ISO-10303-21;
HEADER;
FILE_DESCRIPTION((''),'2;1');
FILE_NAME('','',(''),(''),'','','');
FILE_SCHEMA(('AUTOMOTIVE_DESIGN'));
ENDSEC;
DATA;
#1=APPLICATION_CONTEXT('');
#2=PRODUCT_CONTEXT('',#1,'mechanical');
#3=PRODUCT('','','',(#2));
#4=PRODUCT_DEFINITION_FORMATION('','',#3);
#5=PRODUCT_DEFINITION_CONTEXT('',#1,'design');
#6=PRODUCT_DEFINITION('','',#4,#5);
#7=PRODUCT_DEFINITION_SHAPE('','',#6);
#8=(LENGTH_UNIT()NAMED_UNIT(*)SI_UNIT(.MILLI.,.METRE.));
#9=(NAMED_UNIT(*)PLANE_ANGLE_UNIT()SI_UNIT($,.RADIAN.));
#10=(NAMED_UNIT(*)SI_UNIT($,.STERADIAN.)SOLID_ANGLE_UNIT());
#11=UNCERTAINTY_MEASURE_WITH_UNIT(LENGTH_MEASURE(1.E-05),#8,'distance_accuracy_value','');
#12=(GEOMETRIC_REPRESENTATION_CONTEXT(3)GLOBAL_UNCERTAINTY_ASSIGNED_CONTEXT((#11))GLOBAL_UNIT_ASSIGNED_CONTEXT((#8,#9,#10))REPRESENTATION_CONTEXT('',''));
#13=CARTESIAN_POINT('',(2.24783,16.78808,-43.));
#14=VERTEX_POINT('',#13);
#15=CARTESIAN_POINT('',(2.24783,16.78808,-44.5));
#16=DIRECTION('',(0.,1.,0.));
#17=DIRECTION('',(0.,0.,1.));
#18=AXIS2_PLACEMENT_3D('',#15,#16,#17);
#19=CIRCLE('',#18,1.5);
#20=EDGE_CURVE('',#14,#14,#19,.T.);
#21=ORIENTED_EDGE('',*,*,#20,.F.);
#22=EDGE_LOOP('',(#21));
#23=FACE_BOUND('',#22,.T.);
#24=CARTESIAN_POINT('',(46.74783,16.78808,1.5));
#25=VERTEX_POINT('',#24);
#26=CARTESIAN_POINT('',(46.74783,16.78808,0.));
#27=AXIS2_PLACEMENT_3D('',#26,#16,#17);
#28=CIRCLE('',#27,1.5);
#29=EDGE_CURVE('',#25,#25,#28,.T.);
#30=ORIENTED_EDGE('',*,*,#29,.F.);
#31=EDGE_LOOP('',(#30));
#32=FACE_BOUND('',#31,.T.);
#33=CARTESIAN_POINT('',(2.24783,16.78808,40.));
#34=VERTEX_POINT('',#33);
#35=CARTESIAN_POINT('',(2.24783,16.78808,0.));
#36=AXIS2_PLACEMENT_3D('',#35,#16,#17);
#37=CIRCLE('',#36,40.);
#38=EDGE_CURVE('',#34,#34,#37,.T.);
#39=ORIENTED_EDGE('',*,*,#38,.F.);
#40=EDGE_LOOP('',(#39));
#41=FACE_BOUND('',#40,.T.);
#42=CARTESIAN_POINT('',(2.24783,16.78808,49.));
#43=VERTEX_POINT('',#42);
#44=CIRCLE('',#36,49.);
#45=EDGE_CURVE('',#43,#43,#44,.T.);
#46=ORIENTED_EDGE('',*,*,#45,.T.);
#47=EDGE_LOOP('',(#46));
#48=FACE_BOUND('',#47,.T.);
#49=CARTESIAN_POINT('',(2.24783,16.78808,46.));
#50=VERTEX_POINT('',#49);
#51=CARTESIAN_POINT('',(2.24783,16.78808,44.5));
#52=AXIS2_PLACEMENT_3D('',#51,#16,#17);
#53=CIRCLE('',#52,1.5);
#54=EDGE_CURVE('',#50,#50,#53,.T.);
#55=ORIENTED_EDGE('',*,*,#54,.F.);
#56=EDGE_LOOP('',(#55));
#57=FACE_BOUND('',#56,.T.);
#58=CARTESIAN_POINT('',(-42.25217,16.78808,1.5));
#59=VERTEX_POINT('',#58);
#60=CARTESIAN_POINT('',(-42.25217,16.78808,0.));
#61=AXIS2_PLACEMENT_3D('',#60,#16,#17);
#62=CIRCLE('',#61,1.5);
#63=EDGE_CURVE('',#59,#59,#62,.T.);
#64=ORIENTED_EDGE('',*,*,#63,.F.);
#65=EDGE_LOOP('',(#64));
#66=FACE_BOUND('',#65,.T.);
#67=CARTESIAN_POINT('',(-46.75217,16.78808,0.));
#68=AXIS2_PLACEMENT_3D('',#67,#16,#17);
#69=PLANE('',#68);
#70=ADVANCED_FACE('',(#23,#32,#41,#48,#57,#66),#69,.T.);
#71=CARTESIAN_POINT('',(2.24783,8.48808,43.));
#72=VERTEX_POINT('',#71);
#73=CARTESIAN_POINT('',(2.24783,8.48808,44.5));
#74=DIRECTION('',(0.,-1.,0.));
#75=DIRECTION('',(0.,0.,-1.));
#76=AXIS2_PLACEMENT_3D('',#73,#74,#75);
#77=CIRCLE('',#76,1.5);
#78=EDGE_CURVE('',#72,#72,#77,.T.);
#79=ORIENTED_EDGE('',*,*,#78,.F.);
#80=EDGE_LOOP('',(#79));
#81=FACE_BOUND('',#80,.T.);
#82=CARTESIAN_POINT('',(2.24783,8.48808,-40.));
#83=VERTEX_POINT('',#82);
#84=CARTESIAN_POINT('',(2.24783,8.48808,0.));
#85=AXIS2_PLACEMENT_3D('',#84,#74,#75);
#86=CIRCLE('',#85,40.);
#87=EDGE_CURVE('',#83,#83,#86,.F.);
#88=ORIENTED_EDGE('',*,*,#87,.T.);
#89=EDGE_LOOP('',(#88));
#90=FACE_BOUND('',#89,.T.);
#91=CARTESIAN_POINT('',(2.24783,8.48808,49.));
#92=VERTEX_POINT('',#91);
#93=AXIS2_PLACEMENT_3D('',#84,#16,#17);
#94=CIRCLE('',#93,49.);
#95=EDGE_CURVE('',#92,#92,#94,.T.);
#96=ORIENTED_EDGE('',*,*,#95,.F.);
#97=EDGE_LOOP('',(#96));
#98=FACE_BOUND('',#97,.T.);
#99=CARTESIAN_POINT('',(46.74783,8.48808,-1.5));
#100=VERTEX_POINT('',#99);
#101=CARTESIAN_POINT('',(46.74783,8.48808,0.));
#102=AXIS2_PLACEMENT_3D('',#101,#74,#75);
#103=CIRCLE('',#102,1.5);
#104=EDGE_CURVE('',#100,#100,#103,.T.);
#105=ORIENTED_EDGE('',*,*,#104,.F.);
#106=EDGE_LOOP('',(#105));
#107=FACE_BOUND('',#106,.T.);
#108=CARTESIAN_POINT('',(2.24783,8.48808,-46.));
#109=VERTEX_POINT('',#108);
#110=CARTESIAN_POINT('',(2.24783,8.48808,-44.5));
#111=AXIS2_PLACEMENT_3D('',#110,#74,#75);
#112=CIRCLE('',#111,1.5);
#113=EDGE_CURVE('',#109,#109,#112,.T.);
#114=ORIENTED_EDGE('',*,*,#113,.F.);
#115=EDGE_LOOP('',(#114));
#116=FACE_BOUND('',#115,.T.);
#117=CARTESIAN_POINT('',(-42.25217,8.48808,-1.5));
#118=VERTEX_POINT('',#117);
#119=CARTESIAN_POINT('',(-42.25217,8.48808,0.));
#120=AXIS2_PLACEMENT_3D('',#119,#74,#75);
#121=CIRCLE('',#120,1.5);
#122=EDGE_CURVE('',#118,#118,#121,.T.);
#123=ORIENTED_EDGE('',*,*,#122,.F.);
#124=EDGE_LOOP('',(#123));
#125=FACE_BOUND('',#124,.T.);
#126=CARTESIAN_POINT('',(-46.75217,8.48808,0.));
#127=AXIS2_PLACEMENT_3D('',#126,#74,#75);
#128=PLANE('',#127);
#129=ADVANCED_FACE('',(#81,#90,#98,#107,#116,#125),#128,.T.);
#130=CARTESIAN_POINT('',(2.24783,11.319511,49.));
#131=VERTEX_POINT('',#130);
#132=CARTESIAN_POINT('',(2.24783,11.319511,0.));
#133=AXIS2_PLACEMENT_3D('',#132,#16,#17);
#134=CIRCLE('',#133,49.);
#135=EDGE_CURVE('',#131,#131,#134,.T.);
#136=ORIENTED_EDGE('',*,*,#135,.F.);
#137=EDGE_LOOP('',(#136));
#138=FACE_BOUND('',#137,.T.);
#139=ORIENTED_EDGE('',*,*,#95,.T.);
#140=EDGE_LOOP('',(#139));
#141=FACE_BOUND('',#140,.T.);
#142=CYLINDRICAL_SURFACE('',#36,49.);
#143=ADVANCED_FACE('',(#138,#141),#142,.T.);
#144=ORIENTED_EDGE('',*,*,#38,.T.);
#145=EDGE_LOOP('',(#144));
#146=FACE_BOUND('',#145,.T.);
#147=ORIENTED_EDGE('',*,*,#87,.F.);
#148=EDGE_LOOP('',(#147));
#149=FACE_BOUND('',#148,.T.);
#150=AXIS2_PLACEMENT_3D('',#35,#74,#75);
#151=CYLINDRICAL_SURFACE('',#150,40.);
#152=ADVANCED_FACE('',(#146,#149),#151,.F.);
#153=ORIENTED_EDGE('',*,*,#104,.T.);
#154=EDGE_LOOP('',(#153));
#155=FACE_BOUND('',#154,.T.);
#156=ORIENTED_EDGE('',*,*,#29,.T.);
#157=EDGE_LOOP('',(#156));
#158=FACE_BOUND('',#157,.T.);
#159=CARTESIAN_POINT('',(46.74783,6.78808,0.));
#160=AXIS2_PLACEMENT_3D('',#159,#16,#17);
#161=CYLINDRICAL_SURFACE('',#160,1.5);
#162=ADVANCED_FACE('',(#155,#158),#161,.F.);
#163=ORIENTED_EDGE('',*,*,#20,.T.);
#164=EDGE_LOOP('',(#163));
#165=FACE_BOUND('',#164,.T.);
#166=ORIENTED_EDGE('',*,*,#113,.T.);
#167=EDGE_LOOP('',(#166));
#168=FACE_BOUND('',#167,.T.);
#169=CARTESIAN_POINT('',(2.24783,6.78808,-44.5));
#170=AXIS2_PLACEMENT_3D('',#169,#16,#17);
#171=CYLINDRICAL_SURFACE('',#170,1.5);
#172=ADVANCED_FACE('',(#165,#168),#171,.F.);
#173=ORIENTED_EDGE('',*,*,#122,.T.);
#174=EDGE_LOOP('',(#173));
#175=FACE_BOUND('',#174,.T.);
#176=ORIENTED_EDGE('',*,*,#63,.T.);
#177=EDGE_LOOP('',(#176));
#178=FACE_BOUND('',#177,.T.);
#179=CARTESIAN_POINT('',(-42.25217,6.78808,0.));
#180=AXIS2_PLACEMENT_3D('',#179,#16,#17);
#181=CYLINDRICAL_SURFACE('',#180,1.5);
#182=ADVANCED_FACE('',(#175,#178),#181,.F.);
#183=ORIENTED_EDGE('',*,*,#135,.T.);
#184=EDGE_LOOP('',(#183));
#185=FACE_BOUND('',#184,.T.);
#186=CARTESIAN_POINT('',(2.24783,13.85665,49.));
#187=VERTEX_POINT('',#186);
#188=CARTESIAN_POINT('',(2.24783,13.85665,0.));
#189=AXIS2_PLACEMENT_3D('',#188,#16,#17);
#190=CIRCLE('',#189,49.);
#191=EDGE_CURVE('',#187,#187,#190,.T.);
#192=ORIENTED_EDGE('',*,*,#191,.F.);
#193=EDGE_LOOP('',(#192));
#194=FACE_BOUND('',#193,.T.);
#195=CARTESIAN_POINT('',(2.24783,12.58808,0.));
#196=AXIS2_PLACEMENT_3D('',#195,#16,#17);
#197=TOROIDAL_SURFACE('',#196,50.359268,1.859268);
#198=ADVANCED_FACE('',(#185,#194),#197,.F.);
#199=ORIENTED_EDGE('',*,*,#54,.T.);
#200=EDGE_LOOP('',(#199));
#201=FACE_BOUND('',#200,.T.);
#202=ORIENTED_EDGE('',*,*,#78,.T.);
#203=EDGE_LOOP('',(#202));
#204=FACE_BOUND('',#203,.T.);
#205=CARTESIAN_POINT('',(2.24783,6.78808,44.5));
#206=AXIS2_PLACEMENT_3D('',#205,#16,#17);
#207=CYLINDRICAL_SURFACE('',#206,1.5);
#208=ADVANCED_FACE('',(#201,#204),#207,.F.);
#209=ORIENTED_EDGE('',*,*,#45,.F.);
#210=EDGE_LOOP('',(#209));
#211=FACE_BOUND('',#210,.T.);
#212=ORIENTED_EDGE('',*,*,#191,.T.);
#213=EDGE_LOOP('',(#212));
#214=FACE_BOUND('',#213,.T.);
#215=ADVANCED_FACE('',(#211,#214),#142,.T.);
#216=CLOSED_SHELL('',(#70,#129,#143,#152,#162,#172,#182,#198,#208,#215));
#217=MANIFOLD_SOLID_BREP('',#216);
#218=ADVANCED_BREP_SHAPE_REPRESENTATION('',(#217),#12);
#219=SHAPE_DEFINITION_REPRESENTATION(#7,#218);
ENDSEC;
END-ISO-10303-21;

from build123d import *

# Parameters (mm, degrees)
SKETCH_7_R          = 40
CUT_EXTRUDE_1_DEPTH = 73.864118401
SKETCH_8_R          = 1.5
CUT_EXTRUDE_2_DEPTH = 10


with BuildPart() as part:
    # 草图5 → 旋转2 (revolve)
    with BuildSketch(Plane.XY, mode=Mode.PRIVATE) as revolve_2_sk:
        with BuildLine():
            Line((-46.752169664, 16.788080184), (2.247830336, 16.788080184))
            Line((2.247830336, 16.788080184), (2.247830336, 8.488080184))
            Line((2.247830336, 8.488080184), (-46.752169664, 8.488080184))
            Line((-46.752169664, 8.488080184), (-46.752169664, 11.319510864))
            ThreePointArc((-46.752169664, 11.319510864), (-46.381680312, 11.906305273), (-46.252169664, 12.588080184))
            ThreePointArc((-46.252169664, 12.588080184), (-46.381680312, 13.269855096), (-46.752169664, 13.856649505))
            Line((-46.752169664, 13.856649505), (-46.752169664, 16.788080184))
        make_face()
    revolve(revolve_2_sk.sketch.rotate(Axis((2.247830336, 16.788080184, 0), (0, -1, 0)), 270), axis=Axis((2.247830336, 16.788080184, 0), (0, -1, 0)))

    # 草图7 → 切除-拉伸1 (cut, through all)
    with BuildSketch(Plane(origin=(0, 0, 0), x_dir=(1, 0, 0), z_dir=(0, 1, 0))):
        with Locations(Location((2.247830336, 0, 0), (0, 0, 90))):
            Circle(SKETCH_7_R)
    extrude(amount=CUT_EXTRUDE_1_DEPTH, mode=Mode.SUBTRACT)

    # 草图8 → 切除-拉伸2 (cut)
    with BuildSketch(Plane(origin=(0, 16.788080184, 0), x_dir=(1, 0, 0), z_dir=(0, 1, 0))):
        with Locations(Location((2.247830336, 44.5, 0), (0, 0, 270))):
            Circle(SKETCH_8_R)
        with Locations(Location((46.747830336, 0, 0), (0, 0, 270))):
            Circle(SKETCH_8_R)
        with Locations(Location((2.247830336, -44.5, 0), (0, 0, 270))):
            Circle(SKETCH_8_R)
        with Locations(Location((-42.252169664, 0, 0), (0, 0, 270))):
            Circle(SKETCH_8_R)
    extrude(amount=-CUT_EXTRUDE_2_DEPTH, mode=Mode.SUBTRACT)


solid = part.part
